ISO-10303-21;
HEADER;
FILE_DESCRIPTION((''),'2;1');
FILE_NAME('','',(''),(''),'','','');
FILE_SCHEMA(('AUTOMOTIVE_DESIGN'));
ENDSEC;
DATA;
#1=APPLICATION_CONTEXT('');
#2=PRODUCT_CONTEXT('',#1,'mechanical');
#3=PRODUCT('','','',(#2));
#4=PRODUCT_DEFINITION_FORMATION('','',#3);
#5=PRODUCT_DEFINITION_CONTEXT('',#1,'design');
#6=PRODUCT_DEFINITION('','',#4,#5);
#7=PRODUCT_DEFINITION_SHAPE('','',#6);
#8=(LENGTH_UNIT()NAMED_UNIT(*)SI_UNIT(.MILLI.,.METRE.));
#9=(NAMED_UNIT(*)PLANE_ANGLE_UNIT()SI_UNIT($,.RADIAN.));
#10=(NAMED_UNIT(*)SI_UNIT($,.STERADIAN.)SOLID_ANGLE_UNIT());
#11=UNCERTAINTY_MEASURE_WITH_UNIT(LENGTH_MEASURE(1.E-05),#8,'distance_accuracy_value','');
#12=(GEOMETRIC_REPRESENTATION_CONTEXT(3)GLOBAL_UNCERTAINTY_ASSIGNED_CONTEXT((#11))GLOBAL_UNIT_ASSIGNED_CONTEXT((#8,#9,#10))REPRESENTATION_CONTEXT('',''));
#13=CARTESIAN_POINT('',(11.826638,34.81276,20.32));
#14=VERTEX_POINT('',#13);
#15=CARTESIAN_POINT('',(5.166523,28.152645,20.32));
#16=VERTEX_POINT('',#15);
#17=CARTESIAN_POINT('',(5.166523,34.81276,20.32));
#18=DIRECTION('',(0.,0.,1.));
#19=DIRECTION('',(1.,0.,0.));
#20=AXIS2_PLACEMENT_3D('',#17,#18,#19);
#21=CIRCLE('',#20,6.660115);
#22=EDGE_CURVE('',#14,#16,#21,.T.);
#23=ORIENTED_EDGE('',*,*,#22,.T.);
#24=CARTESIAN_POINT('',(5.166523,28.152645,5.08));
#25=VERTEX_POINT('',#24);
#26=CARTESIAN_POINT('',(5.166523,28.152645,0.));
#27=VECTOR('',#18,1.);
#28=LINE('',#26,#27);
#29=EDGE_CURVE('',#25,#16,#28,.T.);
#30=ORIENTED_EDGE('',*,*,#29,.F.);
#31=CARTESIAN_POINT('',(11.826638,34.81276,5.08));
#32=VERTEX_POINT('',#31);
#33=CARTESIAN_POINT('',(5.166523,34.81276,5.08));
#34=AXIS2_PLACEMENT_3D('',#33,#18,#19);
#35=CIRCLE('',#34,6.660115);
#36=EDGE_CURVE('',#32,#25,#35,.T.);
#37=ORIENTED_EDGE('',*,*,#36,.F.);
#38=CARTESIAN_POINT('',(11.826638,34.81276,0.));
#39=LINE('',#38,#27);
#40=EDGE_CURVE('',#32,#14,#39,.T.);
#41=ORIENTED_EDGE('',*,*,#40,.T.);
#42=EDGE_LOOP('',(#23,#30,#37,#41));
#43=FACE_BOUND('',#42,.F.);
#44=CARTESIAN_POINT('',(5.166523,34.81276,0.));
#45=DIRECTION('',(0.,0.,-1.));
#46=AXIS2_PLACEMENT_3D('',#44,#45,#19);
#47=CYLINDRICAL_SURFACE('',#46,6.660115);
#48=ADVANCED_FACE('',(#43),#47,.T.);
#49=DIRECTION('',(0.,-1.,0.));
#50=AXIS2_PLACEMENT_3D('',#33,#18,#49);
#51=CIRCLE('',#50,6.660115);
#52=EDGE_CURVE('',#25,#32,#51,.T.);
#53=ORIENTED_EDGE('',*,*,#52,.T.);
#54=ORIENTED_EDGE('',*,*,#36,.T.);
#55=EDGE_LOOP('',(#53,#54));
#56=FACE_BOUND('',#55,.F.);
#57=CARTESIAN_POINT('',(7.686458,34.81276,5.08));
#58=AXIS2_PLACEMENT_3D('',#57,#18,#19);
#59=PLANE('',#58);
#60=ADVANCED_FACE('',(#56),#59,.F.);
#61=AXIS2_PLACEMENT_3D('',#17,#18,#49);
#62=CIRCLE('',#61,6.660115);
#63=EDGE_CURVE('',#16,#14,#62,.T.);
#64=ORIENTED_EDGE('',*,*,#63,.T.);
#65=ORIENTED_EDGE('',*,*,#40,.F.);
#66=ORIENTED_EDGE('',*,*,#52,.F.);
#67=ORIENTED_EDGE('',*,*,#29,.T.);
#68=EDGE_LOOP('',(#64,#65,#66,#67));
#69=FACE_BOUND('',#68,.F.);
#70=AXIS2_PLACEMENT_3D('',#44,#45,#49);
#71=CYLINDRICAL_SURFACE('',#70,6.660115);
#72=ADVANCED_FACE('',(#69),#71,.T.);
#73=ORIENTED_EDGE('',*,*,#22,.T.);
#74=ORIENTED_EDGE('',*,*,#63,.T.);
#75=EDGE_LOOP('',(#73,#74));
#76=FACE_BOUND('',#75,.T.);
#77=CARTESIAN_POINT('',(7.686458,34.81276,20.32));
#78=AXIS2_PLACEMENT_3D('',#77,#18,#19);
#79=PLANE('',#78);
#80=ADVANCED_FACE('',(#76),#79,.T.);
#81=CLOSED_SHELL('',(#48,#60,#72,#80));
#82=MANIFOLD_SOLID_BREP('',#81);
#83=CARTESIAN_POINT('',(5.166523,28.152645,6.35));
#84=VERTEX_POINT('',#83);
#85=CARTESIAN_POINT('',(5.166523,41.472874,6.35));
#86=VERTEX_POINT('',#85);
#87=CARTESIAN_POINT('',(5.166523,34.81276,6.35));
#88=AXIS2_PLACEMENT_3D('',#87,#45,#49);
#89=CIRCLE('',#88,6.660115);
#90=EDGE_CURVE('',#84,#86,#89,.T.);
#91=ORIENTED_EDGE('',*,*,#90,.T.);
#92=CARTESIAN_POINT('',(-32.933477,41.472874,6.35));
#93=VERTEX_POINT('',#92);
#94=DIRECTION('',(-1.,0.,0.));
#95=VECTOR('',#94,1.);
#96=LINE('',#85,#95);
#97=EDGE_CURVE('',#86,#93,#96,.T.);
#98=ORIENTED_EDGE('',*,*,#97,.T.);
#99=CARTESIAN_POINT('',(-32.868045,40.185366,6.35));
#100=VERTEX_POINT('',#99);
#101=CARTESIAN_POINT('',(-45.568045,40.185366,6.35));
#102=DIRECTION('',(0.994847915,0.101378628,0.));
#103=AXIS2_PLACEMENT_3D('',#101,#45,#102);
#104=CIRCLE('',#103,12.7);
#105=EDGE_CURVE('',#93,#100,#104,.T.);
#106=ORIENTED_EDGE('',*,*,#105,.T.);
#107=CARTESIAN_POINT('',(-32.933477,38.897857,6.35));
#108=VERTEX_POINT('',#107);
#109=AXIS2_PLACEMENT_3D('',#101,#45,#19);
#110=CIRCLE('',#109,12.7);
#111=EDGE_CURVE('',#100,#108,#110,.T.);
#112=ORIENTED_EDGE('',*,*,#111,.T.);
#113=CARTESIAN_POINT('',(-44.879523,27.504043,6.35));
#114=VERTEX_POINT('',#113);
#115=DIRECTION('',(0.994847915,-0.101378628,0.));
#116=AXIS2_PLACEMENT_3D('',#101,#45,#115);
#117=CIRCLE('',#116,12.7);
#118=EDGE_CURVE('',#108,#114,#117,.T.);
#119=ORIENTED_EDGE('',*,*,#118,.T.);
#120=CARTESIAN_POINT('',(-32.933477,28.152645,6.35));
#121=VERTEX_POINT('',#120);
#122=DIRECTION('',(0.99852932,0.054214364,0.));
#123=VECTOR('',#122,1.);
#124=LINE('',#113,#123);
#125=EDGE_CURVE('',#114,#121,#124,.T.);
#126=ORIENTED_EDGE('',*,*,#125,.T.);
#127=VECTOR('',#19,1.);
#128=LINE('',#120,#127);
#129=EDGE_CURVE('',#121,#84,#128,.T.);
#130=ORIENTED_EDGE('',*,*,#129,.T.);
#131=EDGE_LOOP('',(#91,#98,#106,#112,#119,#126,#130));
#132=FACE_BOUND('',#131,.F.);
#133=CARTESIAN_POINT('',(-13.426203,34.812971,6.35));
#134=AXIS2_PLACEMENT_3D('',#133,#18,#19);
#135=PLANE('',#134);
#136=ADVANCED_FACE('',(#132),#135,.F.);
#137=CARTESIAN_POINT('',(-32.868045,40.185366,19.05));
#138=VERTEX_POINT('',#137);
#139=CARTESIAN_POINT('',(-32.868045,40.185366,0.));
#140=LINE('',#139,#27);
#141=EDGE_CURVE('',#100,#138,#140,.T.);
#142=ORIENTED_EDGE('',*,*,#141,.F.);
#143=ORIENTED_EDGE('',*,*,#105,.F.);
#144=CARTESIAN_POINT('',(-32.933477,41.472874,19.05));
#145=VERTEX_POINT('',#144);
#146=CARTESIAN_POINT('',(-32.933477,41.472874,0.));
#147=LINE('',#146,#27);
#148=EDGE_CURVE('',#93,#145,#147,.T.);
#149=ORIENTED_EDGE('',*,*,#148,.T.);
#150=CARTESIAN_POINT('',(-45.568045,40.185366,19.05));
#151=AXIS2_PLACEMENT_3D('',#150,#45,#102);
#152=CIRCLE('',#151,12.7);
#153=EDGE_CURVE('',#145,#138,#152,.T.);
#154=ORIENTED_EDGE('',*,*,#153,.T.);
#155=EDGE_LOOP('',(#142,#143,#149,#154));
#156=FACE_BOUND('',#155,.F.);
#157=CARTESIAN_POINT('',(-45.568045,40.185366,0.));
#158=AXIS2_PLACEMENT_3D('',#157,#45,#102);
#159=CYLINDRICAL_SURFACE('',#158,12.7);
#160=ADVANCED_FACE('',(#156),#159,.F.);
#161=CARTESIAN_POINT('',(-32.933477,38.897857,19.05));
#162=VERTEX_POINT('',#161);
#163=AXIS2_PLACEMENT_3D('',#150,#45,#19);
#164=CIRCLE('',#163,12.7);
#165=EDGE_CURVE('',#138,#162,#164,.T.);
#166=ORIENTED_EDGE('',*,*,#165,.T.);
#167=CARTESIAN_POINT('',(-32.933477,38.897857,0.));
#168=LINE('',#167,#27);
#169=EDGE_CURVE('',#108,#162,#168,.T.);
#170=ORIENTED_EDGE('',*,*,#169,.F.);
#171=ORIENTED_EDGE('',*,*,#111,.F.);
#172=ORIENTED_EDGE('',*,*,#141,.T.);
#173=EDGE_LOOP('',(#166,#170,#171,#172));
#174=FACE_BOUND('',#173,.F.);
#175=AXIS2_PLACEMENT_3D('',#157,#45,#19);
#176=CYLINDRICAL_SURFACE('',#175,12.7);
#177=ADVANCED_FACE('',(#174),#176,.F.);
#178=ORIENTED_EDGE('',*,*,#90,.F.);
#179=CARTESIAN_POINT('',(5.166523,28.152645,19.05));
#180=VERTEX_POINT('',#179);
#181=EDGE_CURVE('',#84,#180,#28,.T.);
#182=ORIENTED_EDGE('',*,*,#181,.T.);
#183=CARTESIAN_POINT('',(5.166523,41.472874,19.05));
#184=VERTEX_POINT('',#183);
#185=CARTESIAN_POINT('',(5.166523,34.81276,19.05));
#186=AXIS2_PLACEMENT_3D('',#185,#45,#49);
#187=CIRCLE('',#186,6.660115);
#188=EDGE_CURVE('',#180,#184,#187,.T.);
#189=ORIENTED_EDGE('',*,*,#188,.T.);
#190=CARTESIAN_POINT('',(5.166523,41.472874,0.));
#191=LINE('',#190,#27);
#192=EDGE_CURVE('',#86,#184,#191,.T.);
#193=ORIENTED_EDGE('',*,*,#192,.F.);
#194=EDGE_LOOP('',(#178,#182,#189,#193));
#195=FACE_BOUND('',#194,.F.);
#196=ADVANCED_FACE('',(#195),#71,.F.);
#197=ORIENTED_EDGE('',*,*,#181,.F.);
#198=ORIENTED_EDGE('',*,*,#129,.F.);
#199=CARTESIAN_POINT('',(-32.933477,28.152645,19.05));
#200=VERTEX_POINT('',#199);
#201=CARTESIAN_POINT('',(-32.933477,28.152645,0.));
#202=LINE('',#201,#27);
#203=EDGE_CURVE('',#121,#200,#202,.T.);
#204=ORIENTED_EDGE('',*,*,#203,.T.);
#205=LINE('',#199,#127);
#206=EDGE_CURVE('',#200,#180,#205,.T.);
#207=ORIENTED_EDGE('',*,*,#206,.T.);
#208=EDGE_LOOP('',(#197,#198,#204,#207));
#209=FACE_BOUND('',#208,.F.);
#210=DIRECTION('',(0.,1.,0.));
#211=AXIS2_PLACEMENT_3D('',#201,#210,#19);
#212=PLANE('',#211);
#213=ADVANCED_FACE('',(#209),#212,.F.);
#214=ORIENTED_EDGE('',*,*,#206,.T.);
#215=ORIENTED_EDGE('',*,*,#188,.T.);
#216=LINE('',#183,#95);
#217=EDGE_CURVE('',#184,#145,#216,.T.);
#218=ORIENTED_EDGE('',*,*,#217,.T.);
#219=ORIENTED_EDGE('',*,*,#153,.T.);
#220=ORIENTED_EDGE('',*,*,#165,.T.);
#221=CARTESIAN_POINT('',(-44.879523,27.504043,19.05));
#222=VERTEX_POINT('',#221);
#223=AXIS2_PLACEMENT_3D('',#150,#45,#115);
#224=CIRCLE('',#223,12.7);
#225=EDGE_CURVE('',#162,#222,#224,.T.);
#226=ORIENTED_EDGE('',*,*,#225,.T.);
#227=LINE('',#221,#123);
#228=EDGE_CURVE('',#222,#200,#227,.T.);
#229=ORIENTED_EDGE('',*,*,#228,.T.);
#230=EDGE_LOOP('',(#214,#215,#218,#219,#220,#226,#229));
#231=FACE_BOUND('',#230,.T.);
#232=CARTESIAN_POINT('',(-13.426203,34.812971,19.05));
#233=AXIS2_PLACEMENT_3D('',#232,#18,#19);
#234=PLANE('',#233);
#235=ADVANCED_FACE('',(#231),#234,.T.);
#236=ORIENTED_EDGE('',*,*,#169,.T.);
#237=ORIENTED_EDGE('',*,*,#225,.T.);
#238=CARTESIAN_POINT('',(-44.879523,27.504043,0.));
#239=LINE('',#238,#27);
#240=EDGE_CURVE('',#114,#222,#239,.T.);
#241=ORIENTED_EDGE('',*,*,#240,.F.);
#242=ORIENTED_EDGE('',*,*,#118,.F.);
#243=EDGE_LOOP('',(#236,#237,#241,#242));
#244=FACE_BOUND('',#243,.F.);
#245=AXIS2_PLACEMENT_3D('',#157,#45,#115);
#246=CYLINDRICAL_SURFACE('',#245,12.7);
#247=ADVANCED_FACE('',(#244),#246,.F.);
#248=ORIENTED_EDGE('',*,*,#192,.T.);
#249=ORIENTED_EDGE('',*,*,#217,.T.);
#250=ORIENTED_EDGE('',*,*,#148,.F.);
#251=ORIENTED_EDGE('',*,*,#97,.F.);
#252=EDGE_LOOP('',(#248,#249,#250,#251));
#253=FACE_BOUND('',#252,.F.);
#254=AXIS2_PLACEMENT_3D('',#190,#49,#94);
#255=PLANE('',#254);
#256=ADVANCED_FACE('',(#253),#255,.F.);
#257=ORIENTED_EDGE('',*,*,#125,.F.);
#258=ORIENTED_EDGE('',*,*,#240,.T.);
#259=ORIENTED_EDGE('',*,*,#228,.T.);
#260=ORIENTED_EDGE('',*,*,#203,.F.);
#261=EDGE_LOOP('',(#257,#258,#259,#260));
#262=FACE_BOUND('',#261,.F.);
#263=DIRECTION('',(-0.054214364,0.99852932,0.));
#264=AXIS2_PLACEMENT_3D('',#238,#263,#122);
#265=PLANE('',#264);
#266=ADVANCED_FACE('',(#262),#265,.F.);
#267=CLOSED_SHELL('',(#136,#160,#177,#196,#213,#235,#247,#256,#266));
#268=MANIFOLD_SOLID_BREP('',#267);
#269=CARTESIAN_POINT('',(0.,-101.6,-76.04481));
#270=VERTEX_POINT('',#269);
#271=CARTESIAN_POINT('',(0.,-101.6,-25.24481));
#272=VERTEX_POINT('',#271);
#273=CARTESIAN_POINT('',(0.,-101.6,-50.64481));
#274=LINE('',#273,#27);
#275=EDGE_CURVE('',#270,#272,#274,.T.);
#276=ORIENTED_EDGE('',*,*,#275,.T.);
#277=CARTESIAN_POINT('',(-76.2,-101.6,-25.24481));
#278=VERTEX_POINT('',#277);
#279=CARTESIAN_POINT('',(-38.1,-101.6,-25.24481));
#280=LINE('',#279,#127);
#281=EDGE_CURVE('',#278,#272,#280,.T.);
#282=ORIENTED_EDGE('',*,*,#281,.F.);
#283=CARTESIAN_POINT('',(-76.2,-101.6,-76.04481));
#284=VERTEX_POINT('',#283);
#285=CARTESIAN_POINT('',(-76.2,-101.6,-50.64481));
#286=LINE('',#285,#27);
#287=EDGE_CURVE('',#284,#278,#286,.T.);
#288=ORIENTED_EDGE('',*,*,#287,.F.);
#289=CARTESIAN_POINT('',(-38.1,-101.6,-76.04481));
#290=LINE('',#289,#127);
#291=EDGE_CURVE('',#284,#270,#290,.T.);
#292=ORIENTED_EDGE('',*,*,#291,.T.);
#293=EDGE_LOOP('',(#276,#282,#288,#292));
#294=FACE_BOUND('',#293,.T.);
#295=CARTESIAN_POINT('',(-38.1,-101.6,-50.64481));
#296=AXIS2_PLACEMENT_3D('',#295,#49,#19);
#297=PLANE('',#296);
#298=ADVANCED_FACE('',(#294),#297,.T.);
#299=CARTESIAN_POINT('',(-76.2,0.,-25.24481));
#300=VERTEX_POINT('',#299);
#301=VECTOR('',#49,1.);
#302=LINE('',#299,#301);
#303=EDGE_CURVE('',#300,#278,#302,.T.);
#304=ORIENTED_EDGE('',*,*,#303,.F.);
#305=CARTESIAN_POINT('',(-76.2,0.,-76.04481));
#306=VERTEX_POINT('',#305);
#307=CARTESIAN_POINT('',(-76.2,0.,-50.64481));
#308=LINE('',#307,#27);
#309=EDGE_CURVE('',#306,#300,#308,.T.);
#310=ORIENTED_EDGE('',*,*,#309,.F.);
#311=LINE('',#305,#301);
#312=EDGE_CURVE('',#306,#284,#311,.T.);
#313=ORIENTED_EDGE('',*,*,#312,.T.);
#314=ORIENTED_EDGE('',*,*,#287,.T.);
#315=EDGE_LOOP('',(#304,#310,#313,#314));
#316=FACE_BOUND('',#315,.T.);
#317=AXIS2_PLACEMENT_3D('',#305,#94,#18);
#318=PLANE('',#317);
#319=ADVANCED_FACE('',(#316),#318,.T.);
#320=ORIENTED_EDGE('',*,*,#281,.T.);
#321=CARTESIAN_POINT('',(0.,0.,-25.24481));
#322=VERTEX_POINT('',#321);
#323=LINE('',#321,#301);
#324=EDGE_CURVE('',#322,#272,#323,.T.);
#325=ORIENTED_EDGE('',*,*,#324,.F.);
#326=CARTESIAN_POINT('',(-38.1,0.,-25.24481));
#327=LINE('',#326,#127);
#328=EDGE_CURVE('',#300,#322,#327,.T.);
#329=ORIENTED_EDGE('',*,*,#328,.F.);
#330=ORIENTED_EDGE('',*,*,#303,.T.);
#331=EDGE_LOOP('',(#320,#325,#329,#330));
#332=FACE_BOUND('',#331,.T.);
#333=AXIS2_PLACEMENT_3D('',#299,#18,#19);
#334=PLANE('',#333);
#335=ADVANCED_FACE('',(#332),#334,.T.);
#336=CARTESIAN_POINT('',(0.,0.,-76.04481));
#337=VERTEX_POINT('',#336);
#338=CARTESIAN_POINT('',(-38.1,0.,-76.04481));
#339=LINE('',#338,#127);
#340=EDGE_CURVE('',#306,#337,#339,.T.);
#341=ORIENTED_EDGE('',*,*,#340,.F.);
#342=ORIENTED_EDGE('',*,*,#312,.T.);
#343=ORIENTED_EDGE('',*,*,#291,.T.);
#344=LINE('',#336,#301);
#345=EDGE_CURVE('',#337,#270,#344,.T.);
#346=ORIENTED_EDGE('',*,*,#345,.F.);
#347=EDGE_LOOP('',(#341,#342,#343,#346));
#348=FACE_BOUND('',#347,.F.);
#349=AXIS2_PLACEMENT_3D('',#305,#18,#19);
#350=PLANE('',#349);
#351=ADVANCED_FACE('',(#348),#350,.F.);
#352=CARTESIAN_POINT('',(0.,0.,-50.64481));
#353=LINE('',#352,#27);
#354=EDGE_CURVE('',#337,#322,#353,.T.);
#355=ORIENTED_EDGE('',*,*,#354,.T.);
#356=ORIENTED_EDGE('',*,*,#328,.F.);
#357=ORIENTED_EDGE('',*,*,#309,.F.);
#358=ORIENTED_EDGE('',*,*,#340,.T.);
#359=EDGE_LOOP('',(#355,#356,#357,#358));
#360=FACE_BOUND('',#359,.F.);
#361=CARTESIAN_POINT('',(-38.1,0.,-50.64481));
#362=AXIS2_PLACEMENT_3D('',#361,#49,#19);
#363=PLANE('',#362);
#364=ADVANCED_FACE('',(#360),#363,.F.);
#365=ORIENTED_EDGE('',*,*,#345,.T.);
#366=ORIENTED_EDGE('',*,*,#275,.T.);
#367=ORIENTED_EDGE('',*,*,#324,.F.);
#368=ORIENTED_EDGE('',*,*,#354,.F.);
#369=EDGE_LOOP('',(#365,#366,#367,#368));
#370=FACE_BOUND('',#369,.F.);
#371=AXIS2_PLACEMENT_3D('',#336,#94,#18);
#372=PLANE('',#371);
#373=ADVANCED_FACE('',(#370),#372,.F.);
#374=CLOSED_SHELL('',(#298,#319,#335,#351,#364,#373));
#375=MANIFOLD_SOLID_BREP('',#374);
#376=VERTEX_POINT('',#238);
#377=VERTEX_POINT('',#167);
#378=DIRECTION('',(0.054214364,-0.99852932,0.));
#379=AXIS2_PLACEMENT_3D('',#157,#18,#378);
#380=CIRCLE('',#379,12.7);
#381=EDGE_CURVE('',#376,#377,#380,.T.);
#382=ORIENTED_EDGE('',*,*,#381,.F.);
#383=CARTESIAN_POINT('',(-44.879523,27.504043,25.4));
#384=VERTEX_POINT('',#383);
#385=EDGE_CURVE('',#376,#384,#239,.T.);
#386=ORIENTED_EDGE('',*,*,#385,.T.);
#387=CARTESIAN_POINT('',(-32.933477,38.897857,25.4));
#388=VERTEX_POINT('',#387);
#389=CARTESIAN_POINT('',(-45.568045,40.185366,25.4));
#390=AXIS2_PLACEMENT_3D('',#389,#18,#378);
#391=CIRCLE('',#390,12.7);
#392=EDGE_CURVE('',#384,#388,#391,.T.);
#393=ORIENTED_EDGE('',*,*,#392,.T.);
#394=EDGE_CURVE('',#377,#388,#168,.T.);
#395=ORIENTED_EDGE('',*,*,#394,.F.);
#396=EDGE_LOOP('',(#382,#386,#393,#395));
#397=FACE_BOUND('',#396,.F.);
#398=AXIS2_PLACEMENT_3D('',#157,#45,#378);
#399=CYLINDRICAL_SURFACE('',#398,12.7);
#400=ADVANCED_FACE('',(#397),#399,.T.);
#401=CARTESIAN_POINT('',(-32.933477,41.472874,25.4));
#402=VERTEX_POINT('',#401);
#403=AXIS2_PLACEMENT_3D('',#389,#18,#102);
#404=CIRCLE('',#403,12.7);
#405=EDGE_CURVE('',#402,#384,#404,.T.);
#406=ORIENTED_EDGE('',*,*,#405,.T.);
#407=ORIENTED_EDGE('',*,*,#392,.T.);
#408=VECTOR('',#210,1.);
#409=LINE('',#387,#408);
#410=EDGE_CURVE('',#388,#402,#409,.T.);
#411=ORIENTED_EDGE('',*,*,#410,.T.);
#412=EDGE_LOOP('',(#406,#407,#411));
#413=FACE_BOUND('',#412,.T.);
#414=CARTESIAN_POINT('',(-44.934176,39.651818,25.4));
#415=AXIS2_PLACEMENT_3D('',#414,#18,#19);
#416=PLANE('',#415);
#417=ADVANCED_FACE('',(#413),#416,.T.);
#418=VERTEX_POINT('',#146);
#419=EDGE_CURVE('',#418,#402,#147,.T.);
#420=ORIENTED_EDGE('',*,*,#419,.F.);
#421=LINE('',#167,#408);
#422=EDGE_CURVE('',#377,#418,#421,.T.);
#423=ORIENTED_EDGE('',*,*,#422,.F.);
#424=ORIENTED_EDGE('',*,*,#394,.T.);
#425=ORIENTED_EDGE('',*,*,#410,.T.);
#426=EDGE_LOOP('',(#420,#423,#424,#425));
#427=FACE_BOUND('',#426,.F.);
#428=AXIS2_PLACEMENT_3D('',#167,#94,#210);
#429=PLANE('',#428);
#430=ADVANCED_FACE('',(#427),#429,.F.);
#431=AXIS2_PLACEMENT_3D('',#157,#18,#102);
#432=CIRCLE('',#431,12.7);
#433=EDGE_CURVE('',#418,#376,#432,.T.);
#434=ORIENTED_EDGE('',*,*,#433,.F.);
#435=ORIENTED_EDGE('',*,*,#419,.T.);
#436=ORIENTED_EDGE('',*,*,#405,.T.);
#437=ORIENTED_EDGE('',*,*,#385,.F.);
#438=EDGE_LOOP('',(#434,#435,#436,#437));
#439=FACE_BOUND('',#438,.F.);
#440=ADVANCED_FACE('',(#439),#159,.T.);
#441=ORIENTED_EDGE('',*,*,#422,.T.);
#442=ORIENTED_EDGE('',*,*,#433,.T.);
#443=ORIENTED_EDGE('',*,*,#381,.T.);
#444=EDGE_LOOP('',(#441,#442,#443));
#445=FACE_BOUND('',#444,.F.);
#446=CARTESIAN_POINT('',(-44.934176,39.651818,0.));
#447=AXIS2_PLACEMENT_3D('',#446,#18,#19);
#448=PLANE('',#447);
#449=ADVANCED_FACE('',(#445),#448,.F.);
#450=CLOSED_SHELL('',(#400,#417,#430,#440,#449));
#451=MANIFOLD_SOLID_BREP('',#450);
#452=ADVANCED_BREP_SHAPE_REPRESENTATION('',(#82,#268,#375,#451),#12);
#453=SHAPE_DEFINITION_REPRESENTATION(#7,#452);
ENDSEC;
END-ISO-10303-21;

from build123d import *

# Parameters (mm, degrees)
F0_W     = 76.2
F0_H     = 50.8
F1_DEPTH = 101.6
F3_DEPTH = 25.4
F4_DEPTH = 19.05
F5_DEPTH = 6.35
F6_DEPTH = 5.08
F7_DEPTH = 5.08


with BuildPart() as f1:
    # F0 (on Front) → F1 (new body)
    with BuildSketch(Plane.XZ):
        with Locations((-38.1, -50.6448104508)):
            Rectangle(F0_W, F0_H)
    extrude(amount=F1_DEPTH)


with BuildPart() as f3:
    # F2 (on Top) → F3 (new body)
    with BuildSketch(Plane.XY):
        with BuildLine():
            Line((-32.9334767098, 38.8978572475), (-32.9334767098, 41.4728744043))
            ThreePointArc((-32.9334767098, 41.4728744043), (-55.2198972528, 48.4395618803), (-44.8795228111, 27.5040434626))
            ThreePointArc((-44.8795228111, 27.5040434626), (-36.8027194409, 30.9952045741), (-32.9334767098, 38.8978572475))
        make_face()
    extrude(amount=F3_DEPTH)


with BuildPart() as f3b:
    # F2 (on Top) → F3, piece 2 (new body)
    with BuildSketch(Plane.XY):
        with BuildLine():
            ThreePointArc((11.8266381753, 34.8127595193), (9.8759356889, 39.522171918), (5.1665232902, 41.4728744043))
            Line((5.1665232902, 41.4728744043), (5.1665232902, 28.1526446342))
            ThreePointArc((5.1665232902, 28.1526446342), (9.8759356889, 30.1033471206), (11.8266381753, 34.8127595193))
        make_face()
        with BuildLine():
            Line((5.1665232902, 28.1526446342), (5.1665232902, 41.4728744043))
            ThreePointArc((5.1665232902, 41.4728744043), (-1.4935915948, 34.8127595193), (5.1665232902, 28.1526446342))
        make_face()
    extrude(amount=F3_DEPTH)

    # F6 (cut): a face of the model
    f6_faces = [f3b.faces().sort_by_distance(p)[0] for p in [
        (5.1665232902, 34.8127595193, 25.4),
    ]]
    extrude(f6_faces, amount=-F6_DEPTH, mode=Mode.SUBTRACT)

    # F7 (cut): a face of the model
    f7_faces = [f3b.faces().sort_by_distance(p)[0] for p in [
        (5.1665232902, 34.8127595193, 0),
    ]]
    extrude(f7_faces, amount=-F7_DEPTH, mode=Mode.SUBTRACT)


with BuildPart() as f4:
    # F2 (on Top) → F4 (new body)
    with BuildSketch(Plane.XY):
        with BuildLine():
            ThreePointArc((-32.9334767098, 41.4728744043), (-32.8844136472, 40.8299508898), (-32.8680452287, 40.1853658259))
            ThreePointArc((-32.8680452287, 40.1853658259), (-32.8844136472, 39.540780762), (-32.9334767098, 38.8978572475))
            Line((-32.9334767098, 38.8978572475), (-32.9334767098, 28.1526446342))
            Line((-32.9334767098, 28.1526446342), (5.1665232902, 28.1526446342))
            ThreePointArc((5.1665232902, 28.1526446342), (-1.4935915948, 34.8127595193), (5.1665232902, 41.4728744043))
            Line((5.1665232902, 41.4728744043), (-32.9334767098, 41.4728744043))
        make_face()
        with BuildLine():
            Line((-32.9334767098, 28.1526446342), (-32.9334767098, 38.8978572475))
            ThreePointArc((-32.9334767098, 38.8978572475), (-36.8027194409, 30.9952045741), (-44.8795228111, 27.5040434626))
            Line((-44.8795228111, 27.5040434626), (-32.9334767098, 28.1526446342))
        make_face()
    extrude(amount=F4_DEPTH)

    # F5 (cut): a face of the model
    f5_faces = [f4.faces().sort_by_distance(p)[0] for p in [
        (-17.6782565044, 34.5436181954, 0),
    ]]
    extrude(f5_faces, amount=-F5_DEPTH, mode=Mode.SUBTRACT)


solid = Compound([f1.part, f3.part, f3b.part, f4.part])
